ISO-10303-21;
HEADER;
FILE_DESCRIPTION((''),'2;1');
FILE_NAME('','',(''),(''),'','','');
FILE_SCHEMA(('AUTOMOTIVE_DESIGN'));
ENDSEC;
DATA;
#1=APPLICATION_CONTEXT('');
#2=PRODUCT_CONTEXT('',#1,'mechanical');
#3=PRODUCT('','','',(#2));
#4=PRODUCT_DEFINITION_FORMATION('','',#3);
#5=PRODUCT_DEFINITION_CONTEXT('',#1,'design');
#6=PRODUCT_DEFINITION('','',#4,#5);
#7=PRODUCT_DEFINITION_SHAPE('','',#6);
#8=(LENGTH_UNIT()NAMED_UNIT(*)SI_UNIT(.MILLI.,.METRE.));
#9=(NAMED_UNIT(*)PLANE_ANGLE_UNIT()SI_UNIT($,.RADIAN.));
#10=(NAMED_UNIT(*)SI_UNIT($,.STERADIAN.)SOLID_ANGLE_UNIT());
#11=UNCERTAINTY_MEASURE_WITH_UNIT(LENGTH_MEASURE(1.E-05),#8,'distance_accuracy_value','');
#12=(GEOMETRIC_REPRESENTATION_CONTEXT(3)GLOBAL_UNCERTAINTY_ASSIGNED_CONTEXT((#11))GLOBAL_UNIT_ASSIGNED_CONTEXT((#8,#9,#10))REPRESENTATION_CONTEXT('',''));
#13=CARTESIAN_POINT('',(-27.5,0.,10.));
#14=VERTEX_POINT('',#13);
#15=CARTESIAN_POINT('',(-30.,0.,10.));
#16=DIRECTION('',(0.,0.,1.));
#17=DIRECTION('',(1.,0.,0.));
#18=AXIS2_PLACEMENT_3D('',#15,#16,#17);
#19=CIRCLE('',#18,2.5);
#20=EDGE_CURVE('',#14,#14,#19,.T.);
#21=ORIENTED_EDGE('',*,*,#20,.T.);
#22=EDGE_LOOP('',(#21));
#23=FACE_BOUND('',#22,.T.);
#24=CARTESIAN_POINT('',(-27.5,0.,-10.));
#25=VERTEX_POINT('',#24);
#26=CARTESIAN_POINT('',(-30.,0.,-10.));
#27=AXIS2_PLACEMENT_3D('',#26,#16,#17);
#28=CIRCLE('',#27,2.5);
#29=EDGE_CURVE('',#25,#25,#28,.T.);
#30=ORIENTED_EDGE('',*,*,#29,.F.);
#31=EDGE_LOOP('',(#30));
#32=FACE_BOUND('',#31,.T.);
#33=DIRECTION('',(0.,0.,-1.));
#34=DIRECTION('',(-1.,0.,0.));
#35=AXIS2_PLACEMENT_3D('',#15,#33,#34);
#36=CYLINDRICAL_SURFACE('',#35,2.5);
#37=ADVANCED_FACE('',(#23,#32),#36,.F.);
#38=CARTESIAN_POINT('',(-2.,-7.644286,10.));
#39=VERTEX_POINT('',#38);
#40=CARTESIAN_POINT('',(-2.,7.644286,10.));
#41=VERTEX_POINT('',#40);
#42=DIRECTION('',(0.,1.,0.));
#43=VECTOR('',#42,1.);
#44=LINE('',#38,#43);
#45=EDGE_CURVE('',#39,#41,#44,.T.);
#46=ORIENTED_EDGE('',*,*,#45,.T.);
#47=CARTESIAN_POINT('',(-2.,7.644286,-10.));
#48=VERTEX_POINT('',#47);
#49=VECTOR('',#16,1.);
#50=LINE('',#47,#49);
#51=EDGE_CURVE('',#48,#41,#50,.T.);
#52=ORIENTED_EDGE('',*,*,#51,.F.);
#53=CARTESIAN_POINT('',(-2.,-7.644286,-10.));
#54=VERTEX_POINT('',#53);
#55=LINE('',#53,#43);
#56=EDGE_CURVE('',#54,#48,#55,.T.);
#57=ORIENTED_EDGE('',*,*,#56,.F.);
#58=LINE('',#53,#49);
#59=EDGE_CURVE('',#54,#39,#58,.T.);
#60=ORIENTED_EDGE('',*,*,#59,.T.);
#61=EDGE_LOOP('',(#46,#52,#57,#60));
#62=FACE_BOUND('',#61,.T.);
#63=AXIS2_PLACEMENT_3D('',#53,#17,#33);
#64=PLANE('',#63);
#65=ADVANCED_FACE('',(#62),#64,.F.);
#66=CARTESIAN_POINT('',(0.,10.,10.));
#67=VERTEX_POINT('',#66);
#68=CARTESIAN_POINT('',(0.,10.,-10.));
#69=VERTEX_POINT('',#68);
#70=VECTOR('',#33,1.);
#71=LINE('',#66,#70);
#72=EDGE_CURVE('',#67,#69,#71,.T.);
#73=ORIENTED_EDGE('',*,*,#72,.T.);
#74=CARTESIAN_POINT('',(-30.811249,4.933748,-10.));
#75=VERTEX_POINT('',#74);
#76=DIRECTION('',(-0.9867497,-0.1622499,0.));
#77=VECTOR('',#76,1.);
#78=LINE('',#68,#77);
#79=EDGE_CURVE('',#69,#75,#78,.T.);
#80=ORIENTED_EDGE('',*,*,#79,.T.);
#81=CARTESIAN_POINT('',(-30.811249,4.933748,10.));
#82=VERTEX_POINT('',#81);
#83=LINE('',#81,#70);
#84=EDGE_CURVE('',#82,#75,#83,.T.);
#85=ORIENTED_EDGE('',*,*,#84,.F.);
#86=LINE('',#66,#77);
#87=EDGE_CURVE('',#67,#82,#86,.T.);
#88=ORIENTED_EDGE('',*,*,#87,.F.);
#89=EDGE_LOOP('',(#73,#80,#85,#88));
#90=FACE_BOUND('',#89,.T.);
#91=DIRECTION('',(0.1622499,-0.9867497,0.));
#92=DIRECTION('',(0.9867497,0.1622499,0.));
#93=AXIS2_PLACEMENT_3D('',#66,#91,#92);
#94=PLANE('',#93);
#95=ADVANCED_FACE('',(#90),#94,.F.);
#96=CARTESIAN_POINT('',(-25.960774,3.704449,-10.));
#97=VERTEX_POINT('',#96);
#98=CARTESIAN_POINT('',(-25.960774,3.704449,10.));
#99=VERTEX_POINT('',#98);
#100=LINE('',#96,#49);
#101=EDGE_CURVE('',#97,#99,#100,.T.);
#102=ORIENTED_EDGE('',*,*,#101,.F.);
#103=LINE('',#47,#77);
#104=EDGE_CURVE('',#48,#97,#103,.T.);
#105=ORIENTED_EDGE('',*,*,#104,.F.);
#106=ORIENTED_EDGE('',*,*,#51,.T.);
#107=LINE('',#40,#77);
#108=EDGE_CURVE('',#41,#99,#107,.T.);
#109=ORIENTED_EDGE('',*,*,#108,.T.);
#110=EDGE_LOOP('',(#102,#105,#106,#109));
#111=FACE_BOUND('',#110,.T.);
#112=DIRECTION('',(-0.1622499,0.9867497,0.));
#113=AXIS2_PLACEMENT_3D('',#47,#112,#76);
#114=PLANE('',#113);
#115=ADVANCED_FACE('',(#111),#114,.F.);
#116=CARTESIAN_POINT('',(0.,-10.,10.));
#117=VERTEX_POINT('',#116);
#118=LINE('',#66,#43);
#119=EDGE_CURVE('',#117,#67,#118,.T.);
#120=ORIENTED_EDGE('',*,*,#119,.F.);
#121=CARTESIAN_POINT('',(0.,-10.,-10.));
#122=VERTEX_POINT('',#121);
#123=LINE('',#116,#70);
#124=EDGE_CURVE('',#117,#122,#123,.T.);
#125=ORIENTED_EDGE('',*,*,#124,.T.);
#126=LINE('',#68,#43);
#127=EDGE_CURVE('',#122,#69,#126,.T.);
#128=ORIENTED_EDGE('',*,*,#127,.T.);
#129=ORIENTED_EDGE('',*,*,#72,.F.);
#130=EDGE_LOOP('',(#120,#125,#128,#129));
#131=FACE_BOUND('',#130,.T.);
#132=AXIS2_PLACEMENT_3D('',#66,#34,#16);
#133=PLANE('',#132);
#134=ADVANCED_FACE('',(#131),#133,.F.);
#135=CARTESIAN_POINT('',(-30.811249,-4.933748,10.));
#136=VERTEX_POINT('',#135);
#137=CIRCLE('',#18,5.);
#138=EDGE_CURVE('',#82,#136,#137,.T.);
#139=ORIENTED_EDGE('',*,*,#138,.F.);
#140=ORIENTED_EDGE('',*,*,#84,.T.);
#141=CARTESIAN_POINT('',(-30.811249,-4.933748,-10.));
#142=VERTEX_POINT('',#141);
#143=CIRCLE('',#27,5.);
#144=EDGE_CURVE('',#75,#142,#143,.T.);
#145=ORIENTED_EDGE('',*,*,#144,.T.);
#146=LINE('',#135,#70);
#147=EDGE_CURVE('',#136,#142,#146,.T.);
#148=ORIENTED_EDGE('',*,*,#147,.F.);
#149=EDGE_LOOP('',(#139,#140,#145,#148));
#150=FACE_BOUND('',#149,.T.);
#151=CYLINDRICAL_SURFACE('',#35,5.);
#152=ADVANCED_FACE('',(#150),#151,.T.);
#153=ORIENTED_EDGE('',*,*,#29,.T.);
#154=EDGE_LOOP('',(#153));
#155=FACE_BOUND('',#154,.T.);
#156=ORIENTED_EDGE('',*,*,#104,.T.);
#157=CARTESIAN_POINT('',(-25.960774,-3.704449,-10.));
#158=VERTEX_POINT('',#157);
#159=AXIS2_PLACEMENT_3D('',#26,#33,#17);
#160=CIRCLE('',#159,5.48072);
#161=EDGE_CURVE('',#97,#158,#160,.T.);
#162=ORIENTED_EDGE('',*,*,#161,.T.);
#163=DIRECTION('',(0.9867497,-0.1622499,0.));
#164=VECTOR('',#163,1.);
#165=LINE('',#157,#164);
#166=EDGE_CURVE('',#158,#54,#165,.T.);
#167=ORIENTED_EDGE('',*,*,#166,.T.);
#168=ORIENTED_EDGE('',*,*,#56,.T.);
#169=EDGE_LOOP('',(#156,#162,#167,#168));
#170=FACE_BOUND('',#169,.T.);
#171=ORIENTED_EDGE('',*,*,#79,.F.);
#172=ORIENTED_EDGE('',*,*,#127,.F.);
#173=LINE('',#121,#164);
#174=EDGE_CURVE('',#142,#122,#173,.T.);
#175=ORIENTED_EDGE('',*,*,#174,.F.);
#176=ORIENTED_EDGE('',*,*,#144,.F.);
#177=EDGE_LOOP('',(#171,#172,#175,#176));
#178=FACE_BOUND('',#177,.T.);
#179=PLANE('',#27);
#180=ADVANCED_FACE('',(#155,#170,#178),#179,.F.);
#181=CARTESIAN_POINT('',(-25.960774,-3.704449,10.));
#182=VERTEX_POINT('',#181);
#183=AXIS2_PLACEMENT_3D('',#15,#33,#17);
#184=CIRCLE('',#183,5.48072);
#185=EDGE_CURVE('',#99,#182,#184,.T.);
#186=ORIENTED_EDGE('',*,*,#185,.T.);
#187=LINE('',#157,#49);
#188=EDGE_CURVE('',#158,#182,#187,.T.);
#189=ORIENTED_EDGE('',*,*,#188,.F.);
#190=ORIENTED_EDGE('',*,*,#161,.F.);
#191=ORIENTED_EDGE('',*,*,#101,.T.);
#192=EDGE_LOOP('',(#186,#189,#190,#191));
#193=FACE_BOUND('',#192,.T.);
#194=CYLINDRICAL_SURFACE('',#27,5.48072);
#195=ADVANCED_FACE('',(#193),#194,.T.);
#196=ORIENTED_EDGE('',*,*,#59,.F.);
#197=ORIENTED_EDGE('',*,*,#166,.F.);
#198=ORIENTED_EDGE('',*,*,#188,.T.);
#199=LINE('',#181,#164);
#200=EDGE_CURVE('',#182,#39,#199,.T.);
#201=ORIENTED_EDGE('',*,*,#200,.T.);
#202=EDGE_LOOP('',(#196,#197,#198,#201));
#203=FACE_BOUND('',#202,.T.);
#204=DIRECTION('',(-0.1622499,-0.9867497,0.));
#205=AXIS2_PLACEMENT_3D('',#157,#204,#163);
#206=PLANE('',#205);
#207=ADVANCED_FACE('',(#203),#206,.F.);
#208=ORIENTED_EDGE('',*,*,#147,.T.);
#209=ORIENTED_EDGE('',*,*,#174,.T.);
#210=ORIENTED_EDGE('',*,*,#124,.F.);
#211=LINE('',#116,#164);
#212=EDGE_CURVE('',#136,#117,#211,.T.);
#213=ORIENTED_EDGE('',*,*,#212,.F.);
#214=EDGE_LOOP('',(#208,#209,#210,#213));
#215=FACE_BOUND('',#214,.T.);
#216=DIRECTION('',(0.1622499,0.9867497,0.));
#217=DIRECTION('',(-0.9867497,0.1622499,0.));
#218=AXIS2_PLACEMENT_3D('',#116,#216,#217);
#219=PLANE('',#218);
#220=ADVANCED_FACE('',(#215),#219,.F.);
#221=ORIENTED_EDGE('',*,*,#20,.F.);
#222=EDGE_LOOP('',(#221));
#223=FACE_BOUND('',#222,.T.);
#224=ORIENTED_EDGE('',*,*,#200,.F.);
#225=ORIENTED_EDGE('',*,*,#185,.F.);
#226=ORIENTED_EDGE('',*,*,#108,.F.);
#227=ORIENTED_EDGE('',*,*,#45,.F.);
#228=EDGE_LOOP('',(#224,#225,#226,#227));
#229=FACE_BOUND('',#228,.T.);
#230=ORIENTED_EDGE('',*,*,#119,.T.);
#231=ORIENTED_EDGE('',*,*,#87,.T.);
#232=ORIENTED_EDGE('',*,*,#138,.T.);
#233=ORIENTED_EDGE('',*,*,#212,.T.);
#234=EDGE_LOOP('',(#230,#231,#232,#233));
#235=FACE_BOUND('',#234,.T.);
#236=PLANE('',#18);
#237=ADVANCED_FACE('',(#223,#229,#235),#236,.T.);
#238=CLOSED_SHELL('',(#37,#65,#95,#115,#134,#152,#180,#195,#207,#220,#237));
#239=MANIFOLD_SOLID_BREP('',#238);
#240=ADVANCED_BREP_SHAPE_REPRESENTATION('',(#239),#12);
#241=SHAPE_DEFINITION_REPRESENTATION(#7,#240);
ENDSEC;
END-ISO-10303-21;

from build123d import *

# Parameters (mm, degrees)
SKETCH_1_R          = 2.5
EXTRUDE_1_DEPTH     = 10
CUT_EXTRUDE_1_DEPTH = 42.533119315


with BuildPart() as part:
    # 草图1 → 凸台-拉伸1 (new, symmetric)
    with BuildSketch(Plane.XY):
        with BuildLine():
            Line((0, 10), (0, -10))
            Line((0, -10), (-30.8112495, -4.933748499))
            ThreePointArc((-30.8112495, -4.933748499), (-35, 0), (-30.8112495, 4.933748499))
            Line((-30.8112495, 4.933748499), (0, 10))
        make_face()
        with Locations((-30, 0)):
            Circle(SKETCH_1_R, mode=Mode.SUBTRACT)
    extrude(amount=EXTRUDE_1_DEPTH, both=True)

    # 草图2 → 切除-拉伸1 (cut, through all)
    with BuildSketch(Plane.XY.offset(10)):
        with BuildLine():
            Line((-25.960774055, -3.704449068), (-2, -7.644286286))
            Line((-2, -7.644286286), (-2, 7.644286286))
            Line((-2, 7.644286286), (-25.960774055, 3.704449068))
            ThreePointArc((-25.960774055, 3.704449068), (-24.519280236, 0), (-25.960774055, -3.704449068))
        make_face()
    extrude(amount=-CUT_EXTRUDE_1_DEPTH, mode=Mode.SUBTRACT)


solid = part.part
